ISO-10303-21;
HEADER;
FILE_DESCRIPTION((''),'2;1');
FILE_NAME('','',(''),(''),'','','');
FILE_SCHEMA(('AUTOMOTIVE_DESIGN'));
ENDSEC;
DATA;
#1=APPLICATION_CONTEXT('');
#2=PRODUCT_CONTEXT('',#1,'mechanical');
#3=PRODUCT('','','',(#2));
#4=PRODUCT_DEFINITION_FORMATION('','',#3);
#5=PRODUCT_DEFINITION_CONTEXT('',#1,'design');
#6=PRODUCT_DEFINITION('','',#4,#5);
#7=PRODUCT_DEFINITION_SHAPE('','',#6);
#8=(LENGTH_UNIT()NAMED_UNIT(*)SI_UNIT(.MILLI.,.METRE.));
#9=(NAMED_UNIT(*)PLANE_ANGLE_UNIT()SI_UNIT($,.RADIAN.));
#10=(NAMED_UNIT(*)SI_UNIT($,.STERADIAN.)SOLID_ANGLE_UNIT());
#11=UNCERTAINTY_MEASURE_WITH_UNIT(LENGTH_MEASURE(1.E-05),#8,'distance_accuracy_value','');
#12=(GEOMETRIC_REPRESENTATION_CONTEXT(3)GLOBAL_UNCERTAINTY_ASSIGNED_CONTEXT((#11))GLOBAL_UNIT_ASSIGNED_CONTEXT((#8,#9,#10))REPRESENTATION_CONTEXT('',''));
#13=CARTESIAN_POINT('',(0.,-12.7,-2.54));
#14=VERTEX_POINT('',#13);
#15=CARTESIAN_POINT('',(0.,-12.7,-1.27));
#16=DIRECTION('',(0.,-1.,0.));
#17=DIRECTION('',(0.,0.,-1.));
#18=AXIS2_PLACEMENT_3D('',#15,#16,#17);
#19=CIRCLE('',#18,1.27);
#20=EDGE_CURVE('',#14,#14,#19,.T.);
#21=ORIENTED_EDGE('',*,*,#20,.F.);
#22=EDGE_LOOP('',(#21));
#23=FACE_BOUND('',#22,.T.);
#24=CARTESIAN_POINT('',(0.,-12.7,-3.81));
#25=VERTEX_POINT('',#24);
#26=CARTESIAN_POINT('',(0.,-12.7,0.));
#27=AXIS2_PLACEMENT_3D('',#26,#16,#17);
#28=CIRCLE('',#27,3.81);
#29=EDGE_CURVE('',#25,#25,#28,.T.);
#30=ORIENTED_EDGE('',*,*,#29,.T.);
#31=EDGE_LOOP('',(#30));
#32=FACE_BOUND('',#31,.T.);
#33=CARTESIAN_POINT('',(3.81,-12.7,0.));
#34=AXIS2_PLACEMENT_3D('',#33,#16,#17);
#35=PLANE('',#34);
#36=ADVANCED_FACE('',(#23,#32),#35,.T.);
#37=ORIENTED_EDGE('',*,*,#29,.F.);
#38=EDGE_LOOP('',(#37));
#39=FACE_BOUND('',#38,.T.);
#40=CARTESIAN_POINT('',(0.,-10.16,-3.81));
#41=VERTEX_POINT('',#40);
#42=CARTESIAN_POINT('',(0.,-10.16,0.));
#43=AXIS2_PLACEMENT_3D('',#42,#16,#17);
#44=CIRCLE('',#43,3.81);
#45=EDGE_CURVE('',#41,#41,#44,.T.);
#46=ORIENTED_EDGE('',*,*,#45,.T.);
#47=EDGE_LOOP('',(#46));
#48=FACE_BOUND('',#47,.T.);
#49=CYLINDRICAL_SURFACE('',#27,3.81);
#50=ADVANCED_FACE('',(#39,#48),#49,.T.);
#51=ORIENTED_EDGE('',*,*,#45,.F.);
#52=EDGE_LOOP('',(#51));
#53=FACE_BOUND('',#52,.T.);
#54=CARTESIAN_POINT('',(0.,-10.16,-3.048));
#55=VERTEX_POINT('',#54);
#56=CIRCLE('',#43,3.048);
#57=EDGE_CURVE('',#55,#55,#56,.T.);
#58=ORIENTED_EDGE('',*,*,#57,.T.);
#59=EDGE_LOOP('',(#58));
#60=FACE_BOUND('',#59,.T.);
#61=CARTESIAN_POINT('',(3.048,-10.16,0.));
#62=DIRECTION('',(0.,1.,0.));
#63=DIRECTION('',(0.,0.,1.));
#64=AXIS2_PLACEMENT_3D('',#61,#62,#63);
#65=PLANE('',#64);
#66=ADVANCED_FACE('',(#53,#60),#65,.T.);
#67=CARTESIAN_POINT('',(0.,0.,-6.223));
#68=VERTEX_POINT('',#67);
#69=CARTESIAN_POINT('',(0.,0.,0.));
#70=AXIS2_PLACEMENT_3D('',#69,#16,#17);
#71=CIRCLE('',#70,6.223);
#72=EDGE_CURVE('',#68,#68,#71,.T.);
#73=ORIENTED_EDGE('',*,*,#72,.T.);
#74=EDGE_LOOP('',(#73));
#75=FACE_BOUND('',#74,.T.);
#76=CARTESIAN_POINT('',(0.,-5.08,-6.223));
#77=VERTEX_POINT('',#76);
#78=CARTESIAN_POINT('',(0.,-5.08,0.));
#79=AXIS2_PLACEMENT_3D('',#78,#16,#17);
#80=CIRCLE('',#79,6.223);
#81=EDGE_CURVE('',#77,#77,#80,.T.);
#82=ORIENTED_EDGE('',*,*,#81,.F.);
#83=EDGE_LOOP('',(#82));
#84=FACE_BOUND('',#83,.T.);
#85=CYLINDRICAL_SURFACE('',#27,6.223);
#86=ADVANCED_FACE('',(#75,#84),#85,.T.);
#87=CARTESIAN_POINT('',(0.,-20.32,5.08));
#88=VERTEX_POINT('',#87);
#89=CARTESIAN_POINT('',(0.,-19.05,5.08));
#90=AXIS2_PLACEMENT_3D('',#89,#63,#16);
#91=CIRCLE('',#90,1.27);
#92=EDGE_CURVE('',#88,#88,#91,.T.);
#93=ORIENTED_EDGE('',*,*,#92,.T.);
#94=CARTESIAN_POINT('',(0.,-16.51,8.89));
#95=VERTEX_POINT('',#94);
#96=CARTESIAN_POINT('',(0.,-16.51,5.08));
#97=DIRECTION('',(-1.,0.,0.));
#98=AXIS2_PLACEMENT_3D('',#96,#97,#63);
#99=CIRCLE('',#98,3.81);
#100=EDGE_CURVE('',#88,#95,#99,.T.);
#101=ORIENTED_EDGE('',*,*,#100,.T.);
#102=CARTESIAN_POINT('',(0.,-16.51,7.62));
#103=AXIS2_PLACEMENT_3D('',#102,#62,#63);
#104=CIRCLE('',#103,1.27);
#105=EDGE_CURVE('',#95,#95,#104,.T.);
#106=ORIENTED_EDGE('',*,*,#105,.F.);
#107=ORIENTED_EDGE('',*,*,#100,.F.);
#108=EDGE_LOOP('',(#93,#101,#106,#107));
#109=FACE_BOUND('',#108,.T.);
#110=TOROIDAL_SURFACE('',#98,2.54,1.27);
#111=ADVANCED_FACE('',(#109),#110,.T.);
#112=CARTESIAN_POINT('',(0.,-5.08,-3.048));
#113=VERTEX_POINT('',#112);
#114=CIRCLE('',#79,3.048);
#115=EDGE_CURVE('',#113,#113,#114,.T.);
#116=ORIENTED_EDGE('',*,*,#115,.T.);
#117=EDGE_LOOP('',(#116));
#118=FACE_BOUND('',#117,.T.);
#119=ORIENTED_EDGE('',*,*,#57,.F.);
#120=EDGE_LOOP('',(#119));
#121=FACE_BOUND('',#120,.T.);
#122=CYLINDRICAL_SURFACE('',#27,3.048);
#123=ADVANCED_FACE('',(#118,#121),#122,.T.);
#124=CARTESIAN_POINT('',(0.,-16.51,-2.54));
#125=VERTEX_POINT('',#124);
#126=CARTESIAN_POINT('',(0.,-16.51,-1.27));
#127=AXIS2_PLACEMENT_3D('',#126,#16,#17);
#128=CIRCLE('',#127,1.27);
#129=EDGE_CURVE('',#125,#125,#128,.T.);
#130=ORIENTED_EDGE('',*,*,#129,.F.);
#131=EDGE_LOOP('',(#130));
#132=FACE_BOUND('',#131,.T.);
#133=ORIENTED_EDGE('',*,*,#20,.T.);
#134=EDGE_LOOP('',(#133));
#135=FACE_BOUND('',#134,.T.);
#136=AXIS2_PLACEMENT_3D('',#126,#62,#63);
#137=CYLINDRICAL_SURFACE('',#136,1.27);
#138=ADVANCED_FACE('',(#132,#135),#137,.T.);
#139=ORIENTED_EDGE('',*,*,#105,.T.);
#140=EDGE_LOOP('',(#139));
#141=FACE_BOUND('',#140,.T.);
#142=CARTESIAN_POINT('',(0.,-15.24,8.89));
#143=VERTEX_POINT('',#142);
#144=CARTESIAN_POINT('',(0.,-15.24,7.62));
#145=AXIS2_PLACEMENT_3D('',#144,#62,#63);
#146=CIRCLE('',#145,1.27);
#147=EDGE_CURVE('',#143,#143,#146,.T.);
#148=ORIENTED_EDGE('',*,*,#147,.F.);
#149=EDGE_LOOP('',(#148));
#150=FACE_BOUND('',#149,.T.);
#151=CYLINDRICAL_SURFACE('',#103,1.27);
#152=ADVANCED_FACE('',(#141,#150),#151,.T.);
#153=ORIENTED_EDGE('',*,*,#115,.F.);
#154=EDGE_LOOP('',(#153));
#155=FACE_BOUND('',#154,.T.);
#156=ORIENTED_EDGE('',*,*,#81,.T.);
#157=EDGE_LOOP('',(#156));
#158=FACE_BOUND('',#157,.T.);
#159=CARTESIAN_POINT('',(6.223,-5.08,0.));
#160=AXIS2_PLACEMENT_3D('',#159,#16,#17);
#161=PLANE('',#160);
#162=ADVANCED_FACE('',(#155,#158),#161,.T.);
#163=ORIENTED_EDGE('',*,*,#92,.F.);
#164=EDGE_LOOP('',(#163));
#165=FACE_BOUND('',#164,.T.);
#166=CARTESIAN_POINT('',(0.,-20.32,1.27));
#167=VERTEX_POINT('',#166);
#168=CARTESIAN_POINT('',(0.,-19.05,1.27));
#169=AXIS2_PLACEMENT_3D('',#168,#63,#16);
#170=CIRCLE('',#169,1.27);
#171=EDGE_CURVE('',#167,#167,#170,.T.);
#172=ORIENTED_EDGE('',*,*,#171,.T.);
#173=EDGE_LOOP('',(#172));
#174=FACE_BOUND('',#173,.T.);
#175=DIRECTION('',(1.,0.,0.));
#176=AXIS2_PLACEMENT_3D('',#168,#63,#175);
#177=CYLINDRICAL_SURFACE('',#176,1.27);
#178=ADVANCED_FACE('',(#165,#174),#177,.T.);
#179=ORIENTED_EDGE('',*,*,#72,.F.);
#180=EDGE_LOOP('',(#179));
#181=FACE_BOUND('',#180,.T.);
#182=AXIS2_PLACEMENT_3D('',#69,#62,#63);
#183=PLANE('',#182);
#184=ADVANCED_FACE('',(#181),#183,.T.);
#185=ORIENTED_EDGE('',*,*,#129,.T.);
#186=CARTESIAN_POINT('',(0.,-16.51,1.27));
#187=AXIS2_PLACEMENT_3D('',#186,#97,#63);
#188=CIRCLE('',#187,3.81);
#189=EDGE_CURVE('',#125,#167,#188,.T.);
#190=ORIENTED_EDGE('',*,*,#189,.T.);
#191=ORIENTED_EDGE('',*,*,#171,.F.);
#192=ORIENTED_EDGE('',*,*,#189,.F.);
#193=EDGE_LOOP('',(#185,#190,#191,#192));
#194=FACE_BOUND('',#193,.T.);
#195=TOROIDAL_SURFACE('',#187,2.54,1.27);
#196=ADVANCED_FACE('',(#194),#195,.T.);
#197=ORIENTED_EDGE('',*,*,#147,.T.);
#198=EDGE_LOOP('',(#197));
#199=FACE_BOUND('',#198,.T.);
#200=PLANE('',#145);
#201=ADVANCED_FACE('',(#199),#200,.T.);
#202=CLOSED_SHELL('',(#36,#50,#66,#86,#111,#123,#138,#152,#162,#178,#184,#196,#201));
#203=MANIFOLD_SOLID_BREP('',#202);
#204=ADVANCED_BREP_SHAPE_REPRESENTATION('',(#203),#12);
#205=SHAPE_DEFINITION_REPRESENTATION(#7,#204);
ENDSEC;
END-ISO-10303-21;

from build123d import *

# Parameters (mm, degrees)
MOAR_SPRINGS_COUNT = 4
SKETCH13_R         = 1.27


with BuildPart() as part:
    # Sketch1 → button body (revolve)
    with BuildSketch(Plane.XY):
        Polygon((0, 0), (6.223, 0), (6.223, -5.08), (3.048, -5.08), (3.048, -10.16), (3.81, -10.16), (3.81, -12.7), (0, -12.7), align=None)
    revolve(axis=Axis((0, -12.7, 0), (0, 1, 0)))


with BuildPart() as moar_springs_1:
    # moar springs: pattern copy
    add(part.part.rotate(Axis((0, 0, 0), (0, -1, 0)), 1 * 360 / MOAR_SPRINGS_COUNT))


with BuildPart() as moar_springs_2:
    # moar springs: pattern copy
    add(part.part.rotate(Axis((0, 0, 0), (0, -1, 0)), 2 * 360 / MOAR_SPRINGS_COUNT))


with BuildPart() as moar_springs_3:
    # moar springs: pattern copy
    add(part.part.rotate(Axis((0, 0, 0), (0, -1, 0)), 3 * 360 / MOAR_SPRINGS_COUNT))


with BuildPart() as part_1:
    add(part.part)

    add(moar_springs_1.part)  # hook for baton merges moar springs_1

    add(moar_springs_2.part)  # hook for baton merges moar springs_2

    add(moar_springs_3.part)  # hook for baton merges moar springs_3
    # hook for baton: sweep along a path in Sketch12
    with BuildLine(Plane(origin=(0, 0, 0), x_dir=(0, 0, -1), z_dir=(1, 0, 0))) as hook_for_baton_path:
        Line((0, -12.7), (0, -16.51))
        ThreePointArc((0, -16.51), (-0.371974388, -17.408025612), (-1.27, -17.78))
        Line((-1.27, -17.78), (-5.08, -17.78))
        ThreePointArc((-5.08, -17.78), (-5.978025612, -17.408025612), (-6.35, -16.51))
        Line((-6.35, -16.51), (-6.35, -15.24))
    # Sketch13 → hook for baton (sweep)
    with BuildSketch(Plane(origin=(0, -12.7, 0), x_dir=(-1, 0, 0), z_dir=(0, -1, 0))):
        with Locations((0, 1.27)):
            Circle(SKETCH13_R)
    sweep(path=hook_for_baton_path.line)


solid = part_1.part
